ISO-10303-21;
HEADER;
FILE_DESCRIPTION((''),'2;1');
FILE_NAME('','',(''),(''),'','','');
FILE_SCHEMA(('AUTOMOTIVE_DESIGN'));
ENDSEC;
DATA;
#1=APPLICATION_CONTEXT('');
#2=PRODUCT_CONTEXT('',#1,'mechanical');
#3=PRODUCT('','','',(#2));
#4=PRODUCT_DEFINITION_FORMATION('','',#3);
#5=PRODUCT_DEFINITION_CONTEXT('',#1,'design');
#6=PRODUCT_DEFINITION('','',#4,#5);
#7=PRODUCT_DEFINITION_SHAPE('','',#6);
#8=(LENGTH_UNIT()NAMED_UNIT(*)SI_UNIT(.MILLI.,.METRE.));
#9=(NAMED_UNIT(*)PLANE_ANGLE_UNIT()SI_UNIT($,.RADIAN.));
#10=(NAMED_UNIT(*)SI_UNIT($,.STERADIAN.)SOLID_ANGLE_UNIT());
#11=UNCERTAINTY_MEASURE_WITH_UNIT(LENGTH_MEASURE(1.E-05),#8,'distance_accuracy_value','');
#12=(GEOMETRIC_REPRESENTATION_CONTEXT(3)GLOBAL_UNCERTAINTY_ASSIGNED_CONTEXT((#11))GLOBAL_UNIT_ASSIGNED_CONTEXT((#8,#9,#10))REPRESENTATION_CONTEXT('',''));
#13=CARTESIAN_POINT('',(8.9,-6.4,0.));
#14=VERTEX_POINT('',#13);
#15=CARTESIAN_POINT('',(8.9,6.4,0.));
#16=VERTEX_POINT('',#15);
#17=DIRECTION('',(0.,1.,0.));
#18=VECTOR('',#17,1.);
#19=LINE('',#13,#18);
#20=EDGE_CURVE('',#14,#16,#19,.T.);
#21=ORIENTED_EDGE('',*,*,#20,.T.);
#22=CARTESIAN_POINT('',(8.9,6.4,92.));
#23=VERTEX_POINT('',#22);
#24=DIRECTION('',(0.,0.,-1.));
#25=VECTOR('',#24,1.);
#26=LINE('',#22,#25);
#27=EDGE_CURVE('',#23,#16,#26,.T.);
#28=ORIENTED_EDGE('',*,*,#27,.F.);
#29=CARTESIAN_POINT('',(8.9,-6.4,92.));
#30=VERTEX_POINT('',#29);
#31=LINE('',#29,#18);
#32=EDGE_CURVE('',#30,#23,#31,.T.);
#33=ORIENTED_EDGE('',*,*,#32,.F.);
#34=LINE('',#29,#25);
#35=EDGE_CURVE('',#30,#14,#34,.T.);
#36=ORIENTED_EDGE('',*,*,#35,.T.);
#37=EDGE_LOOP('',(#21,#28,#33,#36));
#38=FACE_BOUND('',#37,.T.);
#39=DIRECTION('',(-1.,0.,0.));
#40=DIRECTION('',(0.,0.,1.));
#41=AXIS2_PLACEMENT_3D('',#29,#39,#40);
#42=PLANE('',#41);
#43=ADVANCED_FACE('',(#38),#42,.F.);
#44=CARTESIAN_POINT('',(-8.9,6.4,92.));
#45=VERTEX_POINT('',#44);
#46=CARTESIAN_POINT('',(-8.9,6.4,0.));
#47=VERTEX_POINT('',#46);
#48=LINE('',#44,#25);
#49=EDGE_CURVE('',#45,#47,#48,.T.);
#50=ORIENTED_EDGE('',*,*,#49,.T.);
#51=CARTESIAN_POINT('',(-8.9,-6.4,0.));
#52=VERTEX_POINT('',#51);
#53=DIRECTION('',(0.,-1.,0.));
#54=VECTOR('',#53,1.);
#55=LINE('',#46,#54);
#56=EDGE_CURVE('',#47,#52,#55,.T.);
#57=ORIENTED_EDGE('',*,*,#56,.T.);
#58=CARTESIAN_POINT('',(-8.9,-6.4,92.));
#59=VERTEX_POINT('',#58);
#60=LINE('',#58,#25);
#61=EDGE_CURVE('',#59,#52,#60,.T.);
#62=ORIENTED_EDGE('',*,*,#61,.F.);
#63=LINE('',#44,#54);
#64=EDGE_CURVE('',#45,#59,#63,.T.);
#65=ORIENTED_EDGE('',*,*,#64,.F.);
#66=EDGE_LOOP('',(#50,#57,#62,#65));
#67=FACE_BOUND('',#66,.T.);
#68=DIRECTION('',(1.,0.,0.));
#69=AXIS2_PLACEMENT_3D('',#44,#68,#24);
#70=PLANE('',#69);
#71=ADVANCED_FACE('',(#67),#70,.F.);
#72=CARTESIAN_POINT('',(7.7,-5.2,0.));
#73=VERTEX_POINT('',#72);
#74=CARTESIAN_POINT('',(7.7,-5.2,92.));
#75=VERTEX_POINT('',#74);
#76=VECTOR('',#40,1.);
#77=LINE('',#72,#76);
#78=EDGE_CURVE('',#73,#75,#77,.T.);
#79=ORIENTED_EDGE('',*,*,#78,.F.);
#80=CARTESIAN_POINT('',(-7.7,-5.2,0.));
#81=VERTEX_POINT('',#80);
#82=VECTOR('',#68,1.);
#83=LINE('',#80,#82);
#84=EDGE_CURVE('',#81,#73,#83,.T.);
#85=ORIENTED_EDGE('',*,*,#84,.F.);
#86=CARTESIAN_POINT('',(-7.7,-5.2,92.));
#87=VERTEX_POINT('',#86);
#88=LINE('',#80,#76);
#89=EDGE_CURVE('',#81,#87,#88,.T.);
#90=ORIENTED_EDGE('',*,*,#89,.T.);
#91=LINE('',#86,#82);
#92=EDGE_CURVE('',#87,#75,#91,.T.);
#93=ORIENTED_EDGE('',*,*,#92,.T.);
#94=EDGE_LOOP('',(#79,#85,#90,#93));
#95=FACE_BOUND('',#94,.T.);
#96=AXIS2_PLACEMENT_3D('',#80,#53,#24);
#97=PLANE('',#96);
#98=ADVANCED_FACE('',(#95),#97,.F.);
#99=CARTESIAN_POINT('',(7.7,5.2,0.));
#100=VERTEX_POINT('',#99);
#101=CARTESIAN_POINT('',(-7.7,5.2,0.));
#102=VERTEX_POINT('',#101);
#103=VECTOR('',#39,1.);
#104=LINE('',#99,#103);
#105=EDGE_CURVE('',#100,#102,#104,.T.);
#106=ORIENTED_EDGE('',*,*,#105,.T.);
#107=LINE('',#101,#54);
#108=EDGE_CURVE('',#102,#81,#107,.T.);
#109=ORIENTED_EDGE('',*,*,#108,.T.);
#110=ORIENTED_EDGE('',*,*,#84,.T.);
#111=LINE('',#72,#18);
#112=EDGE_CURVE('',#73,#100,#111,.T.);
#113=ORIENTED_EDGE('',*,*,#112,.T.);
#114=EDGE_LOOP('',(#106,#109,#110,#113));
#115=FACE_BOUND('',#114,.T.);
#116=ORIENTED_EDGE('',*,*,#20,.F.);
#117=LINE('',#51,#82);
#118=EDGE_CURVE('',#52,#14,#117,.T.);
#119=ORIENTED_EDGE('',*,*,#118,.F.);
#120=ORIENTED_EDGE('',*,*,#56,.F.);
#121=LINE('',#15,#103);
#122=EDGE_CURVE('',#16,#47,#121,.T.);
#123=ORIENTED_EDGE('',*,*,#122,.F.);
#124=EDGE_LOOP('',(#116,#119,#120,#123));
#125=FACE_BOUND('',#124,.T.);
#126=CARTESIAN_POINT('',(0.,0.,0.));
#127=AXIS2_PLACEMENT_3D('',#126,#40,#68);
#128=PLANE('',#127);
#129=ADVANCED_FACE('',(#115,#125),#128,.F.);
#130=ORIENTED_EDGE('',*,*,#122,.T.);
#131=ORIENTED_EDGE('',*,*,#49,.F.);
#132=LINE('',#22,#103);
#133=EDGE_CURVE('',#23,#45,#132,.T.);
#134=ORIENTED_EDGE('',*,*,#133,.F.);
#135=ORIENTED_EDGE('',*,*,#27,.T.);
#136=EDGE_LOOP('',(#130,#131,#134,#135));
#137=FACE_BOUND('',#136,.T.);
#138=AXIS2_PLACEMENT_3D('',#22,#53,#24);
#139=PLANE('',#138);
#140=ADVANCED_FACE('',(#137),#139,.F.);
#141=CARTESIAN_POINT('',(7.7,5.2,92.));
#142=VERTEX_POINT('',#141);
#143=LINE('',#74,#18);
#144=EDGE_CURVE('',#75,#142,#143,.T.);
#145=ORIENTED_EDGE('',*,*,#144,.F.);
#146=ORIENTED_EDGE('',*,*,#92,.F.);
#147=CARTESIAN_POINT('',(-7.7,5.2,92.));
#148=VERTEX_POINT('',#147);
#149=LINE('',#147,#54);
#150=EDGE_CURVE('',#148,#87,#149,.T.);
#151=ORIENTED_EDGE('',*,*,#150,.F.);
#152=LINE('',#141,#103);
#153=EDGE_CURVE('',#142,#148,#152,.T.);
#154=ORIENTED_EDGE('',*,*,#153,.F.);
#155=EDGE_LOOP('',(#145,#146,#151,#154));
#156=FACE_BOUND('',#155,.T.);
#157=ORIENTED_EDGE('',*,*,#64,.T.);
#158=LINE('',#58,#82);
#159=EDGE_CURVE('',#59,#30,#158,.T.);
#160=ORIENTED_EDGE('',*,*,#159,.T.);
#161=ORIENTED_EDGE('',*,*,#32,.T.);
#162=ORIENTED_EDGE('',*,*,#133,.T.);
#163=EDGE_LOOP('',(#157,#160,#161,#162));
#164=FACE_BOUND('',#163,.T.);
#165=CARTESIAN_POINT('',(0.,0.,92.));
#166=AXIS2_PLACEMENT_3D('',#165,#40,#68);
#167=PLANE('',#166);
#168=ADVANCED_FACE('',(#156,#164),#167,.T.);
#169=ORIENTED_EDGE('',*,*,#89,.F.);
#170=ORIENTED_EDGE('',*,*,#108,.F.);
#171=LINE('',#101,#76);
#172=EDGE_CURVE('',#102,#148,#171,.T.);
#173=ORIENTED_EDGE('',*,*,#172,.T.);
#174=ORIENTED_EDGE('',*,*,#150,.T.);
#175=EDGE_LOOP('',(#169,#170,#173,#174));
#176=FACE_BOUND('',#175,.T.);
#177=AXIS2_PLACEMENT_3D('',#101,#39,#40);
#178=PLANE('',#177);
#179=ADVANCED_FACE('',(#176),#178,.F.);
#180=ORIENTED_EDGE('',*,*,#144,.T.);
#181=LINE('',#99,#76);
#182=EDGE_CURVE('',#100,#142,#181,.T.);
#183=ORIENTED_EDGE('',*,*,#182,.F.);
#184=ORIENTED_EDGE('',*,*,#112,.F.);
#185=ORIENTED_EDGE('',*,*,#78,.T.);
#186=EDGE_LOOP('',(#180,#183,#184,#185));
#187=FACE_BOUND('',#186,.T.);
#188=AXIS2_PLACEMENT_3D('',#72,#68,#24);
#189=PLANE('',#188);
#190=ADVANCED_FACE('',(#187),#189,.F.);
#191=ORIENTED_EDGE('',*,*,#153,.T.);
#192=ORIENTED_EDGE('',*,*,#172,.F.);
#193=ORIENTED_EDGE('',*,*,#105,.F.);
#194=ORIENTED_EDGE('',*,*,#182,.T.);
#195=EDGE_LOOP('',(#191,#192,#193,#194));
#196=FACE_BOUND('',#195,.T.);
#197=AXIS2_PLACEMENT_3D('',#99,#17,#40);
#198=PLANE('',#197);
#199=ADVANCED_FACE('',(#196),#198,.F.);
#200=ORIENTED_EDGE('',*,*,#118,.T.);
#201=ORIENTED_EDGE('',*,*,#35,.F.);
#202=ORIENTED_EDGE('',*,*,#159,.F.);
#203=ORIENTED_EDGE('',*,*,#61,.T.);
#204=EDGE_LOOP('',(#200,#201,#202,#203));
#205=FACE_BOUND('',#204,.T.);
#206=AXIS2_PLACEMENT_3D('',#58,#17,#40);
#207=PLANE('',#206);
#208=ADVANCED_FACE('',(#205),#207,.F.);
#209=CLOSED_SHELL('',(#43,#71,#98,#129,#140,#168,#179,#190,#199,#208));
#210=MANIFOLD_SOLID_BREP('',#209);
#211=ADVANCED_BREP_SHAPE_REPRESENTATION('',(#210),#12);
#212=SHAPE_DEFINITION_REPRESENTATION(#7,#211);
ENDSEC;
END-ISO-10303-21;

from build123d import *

# Parameters (mm, degrees)
AICAD_SKETCH_F001_W           = 17.8
AICAD_SKETCH_F001_H           = 12.8
AICAD_F001_BASE_EXTRUDE_DEPTH = 92
AICAD_SKETCH_F002_W           = 15.4
AICAD_SKETCH_F002_H           = 10.4
AICAD_F002_CUT_EXTRUDE_DEPTH  = 93.650796003


with BuildPart() as part:
    # AICAD_SKETCH_F001 → AICAD_F001_BASE_EXTRUDE (new body)
    with BuildSketch(Plane.XY):
        Rectangle(AICAD_SKETCH_F001_W, AICAD_SKETCH_F001_H)
    extrude(amount=AICAD_F001_BASE_EXTRUDE_DEPTH)

    # AICAD_SKETCH_F002 → AICAD_F002_CUT_EXTRUDE (cut, through all)
    with BuildSketch(Plane.XY.offset(92)):
        Rectangle(AICAD_SKETCH_F002_W, AICAD_SKETCH_F002_H)
    extrude(amount=-AICAD_F002_CUT_EXTRUDE_DEPTH, mode=Mode.SUBTRACT)


solid = part.part
